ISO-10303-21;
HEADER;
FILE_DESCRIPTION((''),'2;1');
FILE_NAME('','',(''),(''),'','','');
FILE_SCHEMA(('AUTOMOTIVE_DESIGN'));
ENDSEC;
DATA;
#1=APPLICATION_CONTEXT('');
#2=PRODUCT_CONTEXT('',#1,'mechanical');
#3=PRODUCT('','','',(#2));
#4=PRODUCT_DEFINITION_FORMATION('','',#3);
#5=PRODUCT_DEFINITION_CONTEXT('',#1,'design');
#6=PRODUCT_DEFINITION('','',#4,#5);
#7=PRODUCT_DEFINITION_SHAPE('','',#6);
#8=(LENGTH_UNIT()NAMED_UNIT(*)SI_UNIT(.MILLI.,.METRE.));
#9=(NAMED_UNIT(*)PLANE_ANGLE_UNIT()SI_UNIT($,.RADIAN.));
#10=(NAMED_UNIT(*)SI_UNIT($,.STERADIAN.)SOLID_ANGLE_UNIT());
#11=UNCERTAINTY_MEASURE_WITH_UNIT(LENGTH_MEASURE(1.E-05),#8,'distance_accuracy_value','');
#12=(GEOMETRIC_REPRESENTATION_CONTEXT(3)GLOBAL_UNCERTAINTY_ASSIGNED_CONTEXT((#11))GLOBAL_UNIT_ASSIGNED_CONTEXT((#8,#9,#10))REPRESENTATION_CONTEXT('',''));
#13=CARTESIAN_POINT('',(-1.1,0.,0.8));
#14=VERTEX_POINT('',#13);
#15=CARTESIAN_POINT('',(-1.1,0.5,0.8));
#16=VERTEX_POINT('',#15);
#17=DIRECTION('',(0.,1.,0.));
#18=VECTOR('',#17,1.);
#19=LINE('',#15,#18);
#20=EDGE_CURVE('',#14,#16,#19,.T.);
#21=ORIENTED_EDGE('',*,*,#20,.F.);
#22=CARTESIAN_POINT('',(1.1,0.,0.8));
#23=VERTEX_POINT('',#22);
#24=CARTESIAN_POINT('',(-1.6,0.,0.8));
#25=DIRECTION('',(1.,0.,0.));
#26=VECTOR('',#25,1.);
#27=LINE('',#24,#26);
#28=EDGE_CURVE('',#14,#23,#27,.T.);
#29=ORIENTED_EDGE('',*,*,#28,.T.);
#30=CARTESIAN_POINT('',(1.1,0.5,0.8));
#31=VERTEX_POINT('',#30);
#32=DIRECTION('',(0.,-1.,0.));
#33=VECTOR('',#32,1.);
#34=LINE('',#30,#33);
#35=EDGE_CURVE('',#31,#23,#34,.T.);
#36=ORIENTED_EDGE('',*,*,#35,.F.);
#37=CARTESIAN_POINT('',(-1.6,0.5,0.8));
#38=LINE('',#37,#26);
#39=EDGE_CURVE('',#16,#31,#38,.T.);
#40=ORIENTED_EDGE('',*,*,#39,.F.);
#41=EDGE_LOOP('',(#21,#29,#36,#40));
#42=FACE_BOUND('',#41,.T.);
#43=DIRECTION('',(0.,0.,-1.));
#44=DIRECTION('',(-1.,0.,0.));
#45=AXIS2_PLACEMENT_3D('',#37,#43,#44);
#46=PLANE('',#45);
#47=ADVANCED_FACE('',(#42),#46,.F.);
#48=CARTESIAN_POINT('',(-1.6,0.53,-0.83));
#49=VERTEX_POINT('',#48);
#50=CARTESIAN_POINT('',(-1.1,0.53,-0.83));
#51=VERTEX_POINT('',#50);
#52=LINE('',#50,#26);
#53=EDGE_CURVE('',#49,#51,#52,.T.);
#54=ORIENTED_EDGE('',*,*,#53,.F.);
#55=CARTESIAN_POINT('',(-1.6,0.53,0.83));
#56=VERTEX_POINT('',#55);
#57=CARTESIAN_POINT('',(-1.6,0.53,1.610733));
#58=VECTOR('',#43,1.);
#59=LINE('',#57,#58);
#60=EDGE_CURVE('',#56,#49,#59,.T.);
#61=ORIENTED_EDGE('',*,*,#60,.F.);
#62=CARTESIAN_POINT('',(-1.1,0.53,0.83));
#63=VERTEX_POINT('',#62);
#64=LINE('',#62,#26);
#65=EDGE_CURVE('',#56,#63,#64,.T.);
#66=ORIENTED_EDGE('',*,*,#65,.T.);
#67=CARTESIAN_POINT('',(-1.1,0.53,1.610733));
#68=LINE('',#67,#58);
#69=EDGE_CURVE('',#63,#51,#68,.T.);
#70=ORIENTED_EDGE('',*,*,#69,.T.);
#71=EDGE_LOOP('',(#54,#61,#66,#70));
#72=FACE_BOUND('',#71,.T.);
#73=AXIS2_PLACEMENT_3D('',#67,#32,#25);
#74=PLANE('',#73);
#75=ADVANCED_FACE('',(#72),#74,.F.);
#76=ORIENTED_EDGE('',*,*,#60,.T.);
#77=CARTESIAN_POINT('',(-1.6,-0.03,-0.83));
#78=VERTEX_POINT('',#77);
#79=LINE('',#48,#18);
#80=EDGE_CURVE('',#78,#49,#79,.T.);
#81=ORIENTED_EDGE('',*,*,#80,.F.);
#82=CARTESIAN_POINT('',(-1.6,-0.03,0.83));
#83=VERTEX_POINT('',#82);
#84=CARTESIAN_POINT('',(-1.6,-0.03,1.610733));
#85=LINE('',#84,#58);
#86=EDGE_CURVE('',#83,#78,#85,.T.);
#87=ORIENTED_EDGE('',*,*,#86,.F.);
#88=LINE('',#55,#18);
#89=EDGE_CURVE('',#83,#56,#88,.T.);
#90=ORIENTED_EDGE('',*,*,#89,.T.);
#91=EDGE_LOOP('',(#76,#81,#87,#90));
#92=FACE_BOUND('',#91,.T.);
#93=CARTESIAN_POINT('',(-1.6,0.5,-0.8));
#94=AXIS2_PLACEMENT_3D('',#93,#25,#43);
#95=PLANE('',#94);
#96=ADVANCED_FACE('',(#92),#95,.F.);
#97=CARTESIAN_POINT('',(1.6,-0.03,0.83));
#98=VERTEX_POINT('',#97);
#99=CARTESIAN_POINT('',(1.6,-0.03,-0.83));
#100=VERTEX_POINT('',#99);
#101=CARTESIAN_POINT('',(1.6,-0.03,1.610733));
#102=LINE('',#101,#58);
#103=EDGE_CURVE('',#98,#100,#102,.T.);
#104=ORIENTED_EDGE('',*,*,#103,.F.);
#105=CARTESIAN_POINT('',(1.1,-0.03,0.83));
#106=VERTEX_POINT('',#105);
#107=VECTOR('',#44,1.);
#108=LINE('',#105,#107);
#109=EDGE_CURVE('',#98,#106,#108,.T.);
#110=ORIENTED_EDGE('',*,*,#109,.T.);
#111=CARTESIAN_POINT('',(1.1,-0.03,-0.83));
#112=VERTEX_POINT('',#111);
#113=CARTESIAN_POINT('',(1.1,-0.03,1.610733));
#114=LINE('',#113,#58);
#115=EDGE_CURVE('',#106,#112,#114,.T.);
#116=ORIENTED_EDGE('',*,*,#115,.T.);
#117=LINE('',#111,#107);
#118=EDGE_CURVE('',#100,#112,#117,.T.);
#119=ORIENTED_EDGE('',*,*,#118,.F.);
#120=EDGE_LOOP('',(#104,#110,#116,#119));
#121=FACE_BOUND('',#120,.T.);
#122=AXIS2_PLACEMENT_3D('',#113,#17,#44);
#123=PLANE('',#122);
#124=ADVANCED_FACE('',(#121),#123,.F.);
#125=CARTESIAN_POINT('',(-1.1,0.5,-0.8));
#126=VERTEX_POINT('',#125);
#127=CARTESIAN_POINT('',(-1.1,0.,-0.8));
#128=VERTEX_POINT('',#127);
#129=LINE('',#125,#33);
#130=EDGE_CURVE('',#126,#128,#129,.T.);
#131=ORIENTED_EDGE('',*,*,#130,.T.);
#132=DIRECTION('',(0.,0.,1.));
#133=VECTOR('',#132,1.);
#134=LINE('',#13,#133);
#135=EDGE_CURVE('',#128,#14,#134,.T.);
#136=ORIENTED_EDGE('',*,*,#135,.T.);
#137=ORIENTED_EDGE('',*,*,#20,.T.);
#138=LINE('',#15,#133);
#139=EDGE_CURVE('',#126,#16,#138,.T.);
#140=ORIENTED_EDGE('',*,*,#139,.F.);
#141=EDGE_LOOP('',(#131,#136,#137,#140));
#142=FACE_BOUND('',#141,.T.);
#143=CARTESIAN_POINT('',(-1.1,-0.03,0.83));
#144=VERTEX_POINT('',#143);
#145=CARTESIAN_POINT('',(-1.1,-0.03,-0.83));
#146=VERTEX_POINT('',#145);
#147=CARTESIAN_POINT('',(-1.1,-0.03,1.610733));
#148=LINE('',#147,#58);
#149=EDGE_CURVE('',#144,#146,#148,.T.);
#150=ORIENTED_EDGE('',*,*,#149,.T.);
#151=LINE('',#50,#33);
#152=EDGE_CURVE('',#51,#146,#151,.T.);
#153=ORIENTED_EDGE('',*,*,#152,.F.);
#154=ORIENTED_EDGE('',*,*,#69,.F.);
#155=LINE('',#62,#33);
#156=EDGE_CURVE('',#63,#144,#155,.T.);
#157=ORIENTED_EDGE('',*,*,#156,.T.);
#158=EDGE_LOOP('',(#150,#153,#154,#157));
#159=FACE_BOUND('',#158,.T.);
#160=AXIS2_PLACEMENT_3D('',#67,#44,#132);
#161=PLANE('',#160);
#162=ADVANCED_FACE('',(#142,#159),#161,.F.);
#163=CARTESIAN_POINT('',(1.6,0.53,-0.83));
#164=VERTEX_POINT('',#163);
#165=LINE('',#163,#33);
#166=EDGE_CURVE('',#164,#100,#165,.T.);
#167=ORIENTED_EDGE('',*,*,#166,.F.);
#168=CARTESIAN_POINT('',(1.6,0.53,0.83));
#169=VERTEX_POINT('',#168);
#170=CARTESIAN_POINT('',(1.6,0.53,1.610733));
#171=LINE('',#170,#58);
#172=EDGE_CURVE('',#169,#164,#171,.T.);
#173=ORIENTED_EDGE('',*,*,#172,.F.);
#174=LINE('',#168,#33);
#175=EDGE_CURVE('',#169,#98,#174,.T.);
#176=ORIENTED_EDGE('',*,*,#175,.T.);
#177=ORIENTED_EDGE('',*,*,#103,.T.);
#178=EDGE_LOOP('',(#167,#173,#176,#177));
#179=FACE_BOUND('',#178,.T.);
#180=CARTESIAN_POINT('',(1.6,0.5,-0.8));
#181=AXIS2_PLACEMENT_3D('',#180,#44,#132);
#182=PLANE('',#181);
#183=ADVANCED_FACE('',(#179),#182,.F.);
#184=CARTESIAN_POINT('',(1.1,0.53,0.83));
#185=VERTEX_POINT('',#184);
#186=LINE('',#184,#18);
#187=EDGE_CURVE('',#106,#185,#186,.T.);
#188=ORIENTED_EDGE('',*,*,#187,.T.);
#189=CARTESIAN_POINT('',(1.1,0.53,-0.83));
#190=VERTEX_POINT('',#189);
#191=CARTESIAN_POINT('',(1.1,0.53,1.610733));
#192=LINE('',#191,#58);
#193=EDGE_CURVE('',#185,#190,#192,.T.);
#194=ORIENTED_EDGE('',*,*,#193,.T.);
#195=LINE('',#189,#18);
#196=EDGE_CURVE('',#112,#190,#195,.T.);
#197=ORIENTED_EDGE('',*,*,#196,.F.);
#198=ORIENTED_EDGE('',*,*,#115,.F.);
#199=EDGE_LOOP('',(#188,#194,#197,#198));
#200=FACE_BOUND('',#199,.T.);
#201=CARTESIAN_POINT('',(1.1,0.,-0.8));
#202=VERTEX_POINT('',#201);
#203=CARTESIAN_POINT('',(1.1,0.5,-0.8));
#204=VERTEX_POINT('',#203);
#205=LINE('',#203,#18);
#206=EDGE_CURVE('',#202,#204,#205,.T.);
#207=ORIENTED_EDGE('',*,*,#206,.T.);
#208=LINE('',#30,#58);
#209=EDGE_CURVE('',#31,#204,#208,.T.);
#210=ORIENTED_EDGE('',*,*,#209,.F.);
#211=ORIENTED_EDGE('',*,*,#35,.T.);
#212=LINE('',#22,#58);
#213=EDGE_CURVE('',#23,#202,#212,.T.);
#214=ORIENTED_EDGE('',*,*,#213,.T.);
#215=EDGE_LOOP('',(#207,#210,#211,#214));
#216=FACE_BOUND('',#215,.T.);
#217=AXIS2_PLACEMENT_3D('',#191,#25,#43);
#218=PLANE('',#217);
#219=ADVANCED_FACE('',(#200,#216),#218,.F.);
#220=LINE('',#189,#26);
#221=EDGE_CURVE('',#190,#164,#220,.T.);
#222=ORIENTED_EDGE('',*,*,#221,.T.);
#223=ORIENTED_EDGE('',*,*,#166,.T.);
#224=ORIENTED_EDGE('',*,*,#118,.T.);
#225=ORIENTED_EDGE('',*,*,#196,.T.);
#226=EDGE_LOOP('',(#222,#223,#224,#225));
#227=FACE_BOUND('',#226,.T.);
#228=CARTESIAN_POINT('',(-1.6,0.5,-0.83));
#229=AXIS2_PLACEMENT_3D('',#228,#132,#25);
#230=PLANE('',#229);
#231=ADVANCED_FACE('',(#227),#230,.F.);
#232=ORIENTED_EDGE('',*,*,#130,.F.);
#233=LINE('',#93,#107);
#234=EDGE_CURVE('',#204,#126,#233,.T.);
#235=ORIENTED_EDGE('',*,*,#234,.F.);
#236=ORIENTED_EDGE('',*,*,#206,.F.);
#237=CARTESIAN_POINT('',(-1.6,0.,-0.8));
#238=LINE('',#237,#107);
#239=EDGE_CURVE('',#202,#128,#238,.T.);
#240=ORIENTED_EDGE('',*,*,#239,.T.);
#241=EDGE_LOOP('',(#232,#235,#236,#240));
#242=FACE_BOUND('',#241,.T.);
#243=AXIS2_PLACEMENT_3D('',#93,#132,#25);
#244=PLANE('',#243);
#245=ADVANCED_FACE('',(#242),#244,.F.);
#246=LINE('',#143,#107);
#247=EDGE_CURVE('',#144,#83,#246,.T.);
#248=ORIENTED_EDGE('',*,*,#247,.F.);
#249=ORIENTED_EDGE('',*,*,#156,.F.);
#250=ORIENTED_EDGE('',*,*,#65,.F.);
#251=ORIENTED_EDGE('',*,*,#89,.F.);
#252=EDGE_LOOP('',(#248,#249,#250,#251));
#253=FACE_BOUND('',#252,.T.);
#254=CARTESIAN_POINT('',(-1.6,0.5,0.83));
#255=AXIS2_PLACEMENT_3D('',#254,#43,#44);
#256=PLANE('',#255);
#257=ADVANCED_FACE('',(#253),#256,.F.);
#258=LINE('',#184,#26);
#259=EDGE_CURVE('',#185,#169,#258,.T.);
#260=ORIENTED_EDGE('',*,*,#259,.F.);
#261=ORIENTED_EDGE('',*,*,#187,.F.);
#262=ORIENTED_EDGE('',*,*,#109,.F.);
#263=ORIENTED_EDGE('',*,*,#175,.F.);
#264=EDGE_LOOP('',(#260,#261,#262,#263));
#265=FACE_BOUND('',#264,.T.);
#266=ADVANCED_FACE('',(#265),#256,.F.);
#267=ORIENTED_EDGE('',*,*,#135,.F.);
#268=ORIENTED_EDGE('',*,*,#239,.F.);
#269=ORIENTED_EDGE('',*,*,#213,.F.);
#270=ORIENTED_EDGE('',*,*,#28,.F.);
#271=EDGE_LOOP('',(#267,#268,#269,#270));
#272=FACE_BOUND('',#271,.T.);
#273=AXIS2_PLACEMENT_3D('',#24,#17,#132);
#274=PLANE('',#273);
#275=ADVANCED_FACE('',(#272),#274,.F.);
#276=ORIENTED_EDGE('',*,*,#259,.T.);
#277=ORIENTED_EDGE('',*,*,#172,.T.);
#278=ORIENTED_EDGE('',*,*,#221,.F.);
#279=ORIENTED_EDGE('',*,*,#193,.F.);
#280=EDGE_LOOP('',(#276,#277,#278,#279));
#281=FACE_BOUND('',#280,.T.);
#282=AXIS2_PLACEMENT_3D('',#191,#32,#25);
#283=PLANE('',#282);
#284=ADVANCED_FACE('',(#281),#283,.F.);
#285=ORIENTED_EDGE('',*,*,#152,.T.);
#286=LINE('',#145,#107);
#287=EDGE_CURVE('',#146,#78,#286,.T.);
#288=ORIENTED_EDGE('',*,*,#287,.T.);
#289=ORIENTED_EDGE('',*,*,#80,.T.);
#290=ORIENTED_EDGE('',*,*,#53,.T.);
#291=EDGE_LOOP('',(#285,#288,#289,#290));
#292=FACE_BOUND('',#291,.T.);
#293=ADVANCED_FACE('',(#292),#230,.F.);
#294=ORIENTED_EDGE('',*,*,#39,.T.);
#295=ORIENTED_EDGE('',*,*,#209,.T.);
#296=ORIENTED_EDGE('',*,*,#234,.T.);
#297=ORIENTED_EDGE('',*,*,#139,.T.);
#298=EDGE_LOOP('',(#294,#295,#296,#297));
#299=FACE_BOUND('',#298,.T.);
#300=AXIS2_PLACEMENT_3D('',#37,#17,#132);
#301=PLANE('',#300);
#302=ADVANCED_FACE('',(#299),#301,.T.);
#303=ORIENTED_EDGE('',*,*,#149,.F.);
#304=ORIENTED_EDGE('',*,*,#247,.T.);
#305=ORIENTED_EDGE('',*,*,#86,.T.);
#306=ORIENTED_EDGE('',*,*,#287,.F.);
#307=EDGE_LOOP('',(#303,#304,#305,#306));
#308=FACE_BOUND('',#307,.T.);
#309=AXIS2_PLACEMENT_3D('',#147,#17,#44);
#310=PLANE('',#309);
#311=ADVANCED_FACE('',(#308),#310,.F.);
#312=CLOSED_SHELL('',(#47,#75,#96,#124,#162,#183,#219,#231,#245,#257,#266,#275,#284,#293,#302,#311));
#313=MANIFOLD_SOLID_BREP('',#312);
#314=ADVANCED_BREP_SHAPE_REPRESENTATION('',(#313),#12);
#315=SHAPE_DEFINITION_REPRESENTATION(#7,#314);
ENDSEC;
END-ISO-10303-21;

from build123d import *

# Parameters (mm, degrees)
SKETCH1_W           = 3.2
SKETCH1_H           = 1.6
EXTRUDE1_DEPTH      = 0.5
SKETCH2_W           = 0.5
SKETCH2_H           = 0.56
EXTRUDE2_DEPTH      = 0.83
EXTRUDE2_DEPTH_BACK = 0.83


with BuildPart() as part:
    # Sketch1 → Extrude1 (new body)
    with BuildSketch(Plane(origin=(0, 0, 0), x_dir=(1, 0, 0), z_dir=(0, 1, 0))):
        Rectangle(SKETCH1_W, SKETCH1_H)
    extrude(amount=EXTRUDE1_DEPTH)

    # Sketch2 → Extrude2 (add, two sides)
    with BuildSketch(Plane.XY) as extrude2_sk:
        with Locations((-1.35, 0.25)):
            Rectangle(SKETCH2_W, SKETCH2_H)
        with Locations((1.35, 0.25)):
            Rectangle(SKETCH2_W, SKETCH2_H)
    extrude(amount=EXTRUDE2_DEPTH)
    extrude(extrude2_sk.sketch, amount=-EXTRUDE2_DEPTH_BACK)


solid = part.part
